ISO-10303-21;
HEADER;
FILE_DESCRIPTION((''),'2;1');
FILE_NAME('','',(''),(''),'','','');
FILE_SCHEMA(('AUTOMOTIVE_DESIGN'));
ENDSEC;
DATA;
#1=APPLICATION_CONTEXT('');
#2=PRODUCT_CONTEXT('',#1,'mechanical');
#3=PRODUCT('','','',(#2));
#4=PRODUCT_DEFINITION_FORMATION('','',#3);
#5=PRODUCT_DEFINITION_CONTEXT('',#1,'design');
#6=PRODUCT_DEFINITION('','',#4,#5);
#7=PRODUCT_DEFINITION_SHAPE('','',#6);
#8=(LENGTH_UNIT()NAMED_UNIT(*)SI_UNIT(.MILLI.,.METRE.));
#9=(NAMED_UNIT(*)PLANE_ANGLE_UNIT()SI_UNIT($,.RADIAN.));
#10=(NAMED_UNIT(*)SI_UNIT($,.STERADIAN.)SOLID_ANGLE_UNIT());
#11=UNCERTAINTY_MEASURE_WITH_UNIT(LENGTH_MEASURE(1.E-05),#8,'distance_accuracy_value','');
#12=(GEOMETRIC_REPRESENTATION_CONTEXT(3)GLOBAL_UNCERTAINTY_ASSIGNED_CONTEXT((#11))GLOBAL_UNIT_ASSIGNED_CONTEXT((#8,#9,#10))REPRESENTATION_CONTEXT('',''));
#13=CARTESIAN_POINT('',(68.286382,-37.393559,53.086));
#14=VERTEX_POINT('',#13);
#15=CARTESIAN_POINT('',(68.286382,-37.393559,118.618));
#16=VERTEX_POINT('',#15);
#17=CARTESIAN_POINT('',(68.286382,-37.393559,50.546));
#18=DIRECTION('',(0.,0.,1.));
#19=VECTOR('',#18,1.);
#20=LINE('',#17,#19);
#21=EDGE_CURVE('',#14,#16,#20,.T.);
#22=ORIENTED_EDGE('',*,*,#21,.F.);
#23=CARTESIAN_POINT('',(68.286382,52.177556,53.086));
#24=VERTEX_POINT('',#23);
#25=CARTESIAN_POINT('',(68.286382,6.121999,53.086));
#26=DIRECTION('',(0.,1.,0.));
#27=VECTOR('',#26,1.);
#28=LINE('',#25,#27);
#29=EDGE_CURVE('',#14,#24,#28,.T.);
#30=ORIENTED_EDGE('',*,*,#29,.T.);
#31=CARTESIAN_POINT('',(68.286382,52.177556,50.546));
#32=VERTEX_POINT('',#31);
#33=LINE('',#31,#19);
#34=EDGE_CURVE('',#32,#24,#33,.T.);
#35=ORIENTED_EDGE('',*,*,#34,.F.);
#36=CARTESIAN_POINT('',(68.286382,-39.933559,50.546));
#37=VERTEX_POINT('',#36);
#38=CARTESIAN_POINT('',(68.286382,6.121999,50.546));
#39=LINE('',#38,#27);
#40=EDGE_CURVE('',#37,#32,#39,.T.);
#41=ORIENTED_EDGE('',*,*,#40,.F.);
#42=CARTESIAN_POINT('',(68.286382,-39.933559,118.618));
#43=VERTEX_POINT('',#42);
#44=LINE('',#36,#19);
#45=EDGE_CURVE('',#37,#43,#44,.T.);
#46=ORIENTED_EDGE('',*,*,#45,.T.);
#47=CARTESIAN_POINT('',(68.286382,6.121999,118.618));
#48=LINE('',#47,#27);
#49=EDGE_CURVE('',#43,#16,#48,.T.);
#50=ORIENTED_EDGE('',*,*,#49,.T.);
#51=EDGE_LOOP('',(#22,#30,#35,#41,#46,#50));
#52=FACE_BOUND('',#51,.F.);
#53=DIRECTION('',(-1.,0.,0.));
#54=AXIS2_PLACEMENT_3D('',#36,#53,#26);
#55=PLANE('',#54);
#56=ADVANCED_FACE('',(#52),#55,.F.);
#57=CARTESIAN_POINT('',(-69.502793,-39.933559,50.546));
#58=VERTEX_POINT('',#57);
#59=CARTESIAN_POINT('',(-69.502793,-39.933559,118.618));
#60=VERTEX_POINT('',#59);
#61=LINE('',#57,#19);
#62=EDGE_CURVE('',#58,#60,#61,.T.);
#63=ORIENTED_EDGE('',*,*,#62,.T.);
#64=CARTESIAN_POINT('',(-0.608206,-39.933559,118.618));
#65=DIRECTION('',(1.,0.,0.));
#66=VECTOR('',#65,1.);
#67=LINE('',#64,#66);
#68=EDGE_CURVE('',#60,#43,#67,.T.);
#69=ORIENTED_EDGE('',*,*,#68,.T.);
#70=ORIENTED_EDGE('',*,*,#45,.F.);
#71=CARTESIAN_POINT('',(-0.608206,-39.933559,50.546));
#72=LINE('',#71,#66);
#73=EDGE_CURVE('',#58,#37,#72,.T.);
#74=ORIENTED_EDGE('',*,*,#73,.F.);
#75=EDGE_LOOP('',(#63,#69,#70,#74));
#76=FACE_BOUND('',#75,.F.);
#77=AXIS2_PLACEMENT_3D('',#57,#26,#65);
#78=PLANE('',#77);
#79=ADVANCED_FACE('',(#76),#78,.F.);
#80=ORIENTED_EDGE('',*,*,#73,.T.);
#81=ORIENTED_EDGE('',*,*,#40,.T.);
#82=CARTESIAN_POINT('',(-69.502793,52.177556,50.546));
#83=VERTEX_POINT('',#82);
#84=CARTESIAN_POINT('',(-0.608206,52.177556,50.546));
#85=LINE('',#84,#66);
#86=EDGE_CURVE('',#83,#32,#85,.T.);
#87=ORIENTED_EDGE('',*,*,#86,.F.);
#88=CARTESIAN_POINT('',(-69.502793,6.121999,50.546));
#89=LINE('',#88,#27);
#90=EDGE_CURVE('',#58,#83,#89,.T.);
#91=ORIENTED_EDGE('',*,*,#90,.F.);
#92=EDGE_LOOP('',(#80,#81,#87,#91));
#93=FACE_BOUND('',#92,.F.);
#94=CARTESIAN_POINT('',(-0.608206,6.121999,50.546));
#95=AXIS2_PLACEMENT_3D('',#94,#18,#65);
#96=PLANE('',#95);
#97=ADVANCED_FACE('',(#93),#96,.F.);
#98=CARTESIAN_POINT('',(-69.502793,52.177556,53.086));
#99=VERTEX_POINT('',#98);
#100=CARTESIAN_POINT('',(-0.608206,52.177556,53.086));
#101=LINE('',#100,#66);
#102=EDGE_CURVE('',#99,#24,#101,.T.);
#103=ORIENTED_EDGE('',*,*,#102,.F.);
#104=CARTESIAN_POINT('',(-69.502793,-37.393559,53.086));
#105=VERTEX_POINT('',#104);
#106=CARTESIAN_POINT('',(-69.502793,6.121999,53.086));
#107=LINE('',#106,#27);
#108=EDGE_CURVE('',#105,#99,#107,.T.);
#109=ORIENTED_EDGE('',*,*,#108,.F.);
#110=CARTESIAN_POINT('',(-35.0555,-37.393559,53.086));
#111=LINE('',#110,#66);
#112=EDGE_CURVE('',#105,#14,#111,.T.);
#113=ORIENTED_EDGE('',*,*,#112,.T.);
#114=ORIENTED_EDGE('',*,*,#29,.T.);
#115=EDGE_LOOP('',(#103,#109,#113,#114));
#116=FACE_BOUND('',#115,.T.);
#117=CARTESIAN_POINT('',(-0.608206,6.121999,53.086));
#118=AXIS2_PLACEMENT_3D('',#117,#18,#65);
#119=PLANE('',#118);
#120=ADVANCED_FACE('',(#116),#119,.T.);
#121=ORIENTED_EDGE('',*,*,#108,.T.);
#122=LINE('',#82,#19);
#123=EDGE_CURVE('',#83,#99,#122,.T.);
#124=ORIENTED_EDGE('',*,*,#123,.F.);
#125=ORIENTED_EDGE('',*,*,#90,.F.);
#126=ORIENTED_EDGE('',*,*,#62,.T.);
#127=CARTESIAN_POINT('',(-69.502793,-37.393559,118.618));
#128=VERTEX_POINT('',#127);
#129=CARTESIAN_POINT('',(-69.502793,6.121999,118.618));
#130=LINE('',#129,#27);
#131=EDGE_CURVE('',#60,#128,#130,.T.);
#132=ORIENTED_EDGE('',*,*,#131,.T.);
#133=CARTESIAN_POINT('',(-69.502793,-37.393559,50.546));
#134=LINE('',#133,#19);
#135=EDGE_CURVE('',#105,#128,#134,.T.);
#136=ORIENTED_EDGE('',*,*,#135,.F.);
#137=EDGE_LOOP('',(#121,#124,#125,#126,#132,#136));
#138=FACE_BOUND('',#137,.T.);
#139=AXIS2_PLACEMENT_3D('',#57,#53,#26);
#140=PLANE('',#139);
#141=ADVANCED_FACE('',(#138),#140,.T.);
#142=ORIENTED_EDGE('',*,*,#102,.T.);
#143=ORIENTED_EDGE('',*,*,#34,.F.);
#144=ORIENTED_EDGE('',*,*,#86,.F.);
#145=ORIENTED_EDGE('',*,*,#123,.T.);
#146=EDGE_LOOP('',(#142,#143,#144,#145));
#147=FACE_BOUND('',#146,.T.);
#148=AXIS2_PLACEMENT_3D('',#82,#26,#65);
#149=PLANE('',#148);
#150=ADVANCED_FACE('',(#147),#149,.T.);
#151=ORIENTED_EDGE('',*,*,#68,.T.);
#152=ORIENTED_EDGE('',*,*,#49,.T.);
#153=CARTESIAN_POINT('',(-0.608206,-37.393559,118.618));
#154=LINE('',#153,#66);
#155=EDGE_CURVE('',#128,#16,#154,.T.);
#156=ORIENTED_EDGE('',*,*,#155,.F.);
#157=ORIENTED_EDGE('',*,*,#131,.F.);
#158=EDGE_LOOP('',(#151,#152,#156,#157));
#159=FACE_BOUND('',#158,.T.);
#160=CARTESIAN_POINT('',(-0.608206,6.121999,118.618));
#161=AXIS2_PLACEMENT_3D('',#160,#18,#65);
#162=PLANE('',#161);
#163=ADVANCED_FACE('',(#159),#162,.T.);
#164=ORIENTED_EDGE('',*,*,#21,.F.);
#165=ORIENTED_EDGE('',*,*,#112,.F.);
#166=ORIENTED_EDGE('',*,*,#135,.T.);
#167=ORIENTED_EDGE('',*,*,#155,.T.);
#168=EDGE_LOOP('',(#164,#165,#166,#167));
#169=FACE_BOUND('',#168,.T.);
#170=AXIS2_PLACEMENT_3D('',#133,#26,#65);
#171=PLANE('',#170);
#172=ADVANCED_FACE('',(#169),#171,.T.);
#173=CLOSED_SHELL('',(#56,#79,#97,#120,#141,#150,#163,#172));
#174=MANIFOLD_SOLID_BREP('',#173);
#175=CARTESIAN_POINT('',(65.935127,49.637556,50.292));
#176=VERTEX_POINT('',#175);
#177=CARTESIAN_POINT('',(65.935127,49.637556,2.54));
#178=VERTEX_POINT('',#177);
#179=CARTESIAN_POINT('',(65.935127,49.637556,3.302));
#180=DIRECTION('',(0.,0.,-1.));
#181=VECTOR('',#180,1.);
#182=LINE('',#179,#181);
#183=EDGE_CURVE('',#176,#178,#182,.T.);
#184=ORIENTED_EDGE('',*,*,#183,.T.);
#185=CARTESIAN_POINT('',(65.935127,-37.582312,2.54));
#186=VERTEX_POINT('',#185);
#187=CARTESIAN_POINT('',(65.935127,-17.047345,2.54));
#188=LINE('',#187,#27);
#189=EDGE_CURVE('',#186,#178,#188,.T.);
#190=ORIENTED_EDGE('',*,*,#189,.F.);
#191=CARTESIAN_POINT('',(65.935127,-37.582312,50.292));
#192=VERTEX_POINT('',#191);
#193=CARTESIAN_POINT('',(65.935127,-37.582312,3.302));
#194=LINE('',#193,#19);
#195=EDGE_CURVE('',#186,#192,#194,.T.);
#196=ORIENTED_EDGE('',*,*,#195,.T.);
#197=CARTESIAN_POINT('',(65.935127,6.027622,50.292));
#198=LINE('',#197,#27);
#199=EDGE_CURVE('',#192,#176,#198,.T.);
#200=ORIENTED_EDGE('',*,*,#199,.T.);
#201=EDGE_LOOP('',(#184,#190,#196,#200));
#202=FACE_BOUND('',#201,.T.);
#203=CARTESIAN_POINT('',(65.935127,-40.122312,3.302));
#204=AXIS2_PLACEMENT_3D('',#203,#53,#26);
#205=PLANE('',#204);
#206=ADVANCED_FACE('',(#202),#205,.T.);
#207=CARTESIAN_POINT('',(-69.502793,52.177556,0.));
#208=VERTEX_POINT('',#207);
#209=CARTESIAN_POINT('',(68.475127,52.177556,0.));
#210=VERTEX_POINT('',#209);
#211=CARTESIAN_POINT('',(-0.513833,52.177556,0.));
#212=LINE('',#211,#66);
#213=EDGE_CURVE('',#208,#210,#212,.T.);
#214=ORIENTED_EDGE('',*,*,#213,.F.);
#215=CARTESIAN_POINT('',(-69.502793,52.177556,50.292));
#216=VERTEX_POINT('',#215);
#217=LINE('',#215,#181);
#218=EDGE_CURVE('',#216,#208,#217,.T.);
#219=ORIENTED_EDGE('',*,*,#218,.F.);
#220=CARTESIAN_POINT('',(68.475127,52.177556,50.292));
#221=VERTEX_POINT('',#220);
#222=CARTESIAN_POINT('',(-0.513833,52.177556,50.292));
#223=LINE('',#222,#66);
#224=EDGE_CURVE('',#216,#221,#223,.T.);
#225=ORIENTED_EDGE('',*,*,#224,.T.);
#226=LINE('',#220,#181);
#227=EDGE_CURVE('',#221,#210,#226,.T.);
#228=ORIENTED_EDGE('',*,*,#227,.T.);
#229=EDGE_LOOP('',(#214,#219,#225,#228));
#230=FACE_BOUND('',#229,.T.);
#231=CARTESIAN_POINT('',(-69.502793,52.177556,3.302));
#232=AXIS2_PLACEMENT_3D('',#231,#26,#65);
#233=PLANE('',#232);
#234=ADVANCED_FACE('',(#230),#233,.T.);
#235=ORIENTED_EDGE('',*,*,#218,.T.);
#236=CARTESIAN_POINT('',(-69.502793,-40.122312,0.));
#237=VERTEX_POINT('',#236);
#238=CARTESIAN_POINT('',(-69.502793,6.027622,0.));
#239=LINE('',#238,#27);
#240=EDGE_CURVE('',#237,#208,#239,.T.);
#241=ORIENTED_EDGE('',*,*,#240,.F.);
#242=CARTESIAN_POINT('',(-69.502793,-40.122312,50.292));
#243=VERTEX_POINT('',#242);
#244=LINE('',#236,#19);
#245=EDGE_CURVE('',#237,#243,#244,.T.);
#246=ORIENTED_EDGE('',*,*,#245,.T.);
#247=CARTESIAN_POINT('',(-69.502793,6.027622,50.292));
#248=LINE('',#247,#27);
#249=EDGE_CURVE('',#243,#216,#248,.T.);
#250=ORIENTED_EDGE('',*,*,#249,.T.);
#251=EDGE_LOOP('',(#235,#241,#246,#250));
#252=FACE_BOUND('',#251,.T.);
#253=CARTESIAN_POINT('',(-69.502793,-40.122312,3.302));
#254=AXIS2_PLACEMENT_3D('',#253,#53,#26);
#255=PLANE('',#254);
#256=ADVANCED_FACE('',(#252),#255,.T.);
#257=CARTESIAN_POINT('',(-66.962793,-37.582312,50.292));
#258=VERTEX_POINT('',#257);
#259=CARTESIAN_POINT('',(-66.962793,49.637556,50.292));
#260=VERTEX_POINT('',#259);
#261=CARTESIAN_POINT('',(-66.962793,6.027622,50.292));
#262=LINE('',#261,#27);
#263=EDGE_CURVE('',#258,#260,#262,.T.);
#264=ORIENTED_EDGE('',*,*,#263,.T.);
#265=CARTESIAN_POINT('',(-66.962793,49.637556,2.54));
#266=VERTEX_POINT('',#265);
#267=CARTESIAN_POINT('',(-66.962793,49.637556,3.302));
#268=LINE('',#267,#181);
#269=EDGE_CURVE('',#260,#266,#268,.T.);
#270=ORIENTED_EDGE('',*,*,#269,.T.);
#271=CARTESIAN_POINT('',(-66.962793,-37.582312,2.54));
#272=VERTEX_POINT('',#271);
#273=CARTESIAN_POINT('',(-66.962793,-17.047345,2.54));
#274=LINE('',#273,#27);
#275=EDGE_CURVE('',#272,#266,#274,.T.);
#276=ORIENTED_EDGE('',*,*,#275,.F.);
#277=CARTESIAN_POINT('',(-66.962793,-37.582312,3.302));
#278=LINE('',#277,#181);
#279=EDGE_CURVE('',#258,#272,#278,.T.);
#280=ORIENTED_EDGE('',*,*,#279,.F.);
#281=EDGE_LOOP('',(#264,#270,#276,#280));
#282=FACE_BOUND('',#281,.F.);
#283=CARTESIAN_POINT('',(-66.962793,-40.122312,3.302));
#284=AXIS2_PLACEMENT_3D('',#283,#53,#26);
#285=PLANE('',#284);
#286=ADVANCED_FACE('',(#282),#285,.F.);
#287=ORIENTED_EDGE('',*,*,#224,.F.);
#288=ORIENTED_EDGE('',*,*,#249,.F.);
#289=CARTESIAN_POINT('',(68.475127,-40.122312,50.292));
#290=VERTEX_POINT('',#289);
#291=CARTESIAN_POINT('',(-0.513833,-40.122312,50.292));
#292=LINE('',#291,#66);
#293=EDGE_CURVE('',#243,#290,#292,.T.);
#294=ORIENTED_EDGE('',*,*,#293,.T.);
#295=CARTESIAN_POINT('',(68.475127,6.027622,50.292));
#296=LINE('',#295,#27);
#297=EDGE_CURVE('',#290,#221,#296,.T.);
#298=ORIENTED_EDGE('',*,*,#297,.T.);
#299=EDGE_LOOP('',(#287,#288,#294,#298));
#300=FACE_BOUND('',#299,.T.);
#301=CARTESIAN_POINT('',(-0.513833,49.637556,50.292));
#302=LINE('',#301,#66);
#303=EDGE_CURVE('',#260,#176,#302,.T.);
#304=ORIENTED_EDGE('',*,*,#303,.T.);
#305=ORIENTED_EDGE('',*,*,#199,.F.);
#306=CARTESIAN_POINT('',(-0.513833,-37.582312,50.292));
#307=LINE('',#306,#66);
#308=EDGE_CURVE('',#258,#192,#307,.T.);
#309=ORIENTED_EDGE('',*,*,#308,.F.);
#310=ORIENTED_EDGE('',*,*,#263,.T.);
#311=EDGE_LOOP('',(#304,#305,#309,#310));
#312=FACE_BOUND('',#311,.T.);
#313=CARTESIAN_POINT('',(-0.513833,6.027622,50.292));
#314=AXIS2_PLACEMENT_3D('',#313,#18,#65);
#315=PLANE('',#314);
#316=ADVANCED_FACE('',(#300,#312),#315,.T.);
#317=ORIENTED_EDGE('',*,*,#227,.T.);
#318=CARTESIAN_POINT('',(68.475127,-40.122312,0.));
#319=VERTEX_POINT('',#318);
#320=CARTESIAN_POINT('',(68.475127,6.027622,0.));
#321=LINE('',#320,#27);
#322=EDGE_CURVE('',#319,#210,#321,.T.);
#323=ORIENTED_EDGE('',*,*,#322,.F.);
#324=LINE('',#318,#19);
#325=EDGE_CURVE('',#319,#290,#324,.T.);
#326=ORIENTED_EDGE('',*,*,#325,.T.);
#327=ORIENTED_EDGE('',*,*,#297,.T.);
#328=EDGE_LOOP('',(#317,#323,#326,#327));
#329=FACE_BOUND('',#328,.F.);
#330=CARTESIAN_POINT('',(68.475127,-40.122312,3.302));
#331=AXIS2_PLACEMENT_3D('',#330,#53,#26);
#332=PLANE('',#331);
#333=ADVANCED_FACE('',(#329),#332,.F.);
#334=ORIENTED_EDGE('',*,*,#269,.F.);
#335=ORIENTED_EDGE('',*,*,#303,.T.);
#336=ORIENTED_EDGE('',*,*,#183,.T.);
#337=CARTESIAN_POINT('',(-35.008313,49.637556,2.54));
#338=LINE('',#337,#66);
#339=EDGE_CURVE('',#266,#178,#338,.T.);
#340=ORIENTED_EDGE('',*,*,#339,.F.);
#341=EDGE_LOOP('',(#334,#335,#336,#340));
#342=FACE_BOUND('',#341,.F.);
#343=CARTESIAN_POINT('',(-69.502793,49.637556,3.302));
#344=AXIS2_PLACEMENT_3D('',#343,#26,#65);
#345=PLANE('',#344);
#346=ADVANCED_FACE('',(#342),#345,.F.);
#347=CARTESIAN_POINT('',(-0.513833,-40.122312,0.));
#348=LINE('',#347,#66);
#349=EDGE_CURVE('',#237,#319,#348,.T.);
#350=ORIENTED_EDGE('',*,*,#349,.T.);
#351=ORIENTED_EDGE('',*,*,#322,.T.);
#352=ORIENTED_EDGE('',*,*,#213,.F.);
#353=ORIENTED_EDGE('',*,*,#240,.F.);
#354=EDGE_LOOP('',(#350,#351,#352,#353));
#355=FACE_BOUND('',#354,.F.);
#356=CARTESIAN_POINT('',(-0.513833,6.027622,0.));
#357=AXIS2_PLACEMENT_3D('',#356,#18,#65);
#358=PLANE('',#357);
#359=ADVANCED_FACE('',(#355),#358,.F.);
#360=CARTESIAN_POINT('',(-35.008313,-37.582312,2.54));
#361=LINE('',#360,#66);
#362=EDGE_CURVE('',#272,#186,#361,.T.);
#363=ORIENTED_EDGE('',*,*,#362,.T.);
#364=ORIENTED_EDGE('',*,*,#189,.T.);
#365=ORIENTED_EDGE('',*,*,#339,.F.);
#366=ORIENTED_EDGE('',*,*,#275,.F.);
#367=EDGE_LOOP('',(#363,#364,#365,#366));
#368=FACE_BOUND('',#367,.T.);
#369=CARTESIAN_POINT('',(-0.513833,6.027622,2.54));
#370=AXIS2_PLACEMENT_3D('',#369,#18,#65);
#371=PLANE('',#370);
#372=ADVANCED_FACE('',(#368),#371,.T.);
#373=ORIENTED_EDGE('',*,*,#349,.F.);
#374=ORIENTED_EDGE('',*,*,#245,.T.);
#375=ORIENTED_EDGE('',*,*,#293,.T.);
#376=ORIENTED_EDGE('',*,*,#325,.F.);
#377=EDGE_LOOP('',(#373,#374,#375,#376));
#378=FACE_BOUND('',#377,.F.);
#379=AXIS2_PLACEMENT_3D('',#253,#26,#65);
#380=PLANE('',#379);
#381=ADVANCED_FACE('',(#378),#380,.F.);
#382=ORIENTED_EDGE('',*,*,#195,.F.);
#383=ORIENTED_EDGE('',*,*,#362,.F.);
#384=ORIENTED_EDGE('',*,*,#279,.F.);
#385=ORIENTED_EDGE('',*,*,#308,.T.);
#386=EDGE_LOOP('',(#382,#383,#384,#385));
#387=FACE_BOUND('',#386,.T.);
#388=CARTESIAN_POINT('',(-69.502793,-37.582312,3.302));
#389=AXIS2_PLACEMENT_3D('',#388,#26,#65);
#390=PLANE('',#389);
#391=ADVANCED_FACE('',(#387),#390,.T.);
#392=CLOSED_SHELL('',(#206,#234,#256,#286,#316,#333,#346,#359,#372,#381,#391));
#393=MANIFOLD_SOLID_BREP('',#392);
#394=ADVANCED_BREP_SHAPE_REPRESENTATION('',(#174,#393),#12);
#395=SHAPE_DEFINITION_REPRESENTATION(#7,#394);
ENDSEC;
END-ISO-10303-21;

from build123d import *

# Parameters (mm, degrees)
F0_W     = 137.9779204726
F0_H     = 92.2998674214
F1_DEPTH = 3.302
F2_DEPTH = 46.99
F3_T     = -2.54
F5_W     = 137.7891749144
F5_H     = 92.1111144125
F6_DEPTH = 68.072
F7_T     = -2.54


with BuildPart() as f1:
    # F0 (on Top) → F1 (new body)
    with BuildSketch(Plane.XY):
        with Locations((-0.5138330162, 6.0276221484)):
            Rectangle(F0_W, F0_H)
    extrude(amount=F1_DEPTH)

    # F2 (add): a face of the model
    f2_faces = [f1.faces().sort_by_distance(p)[0] for p in [
        (-0.5138330162, 6.0276221484, 3.302),
    ]]
    extrude(f2_faces, amount=F2_DEPTH)

    # F3
    f3_openings = [f1.faces().sort_by_distance(p)[0] for p in [
        (-0.513833, 6.027622, 50.292),
    ]]
    offset(amount=F3_T, openings=f3_openings)


with BuildPart() as f6:
    # F5 (on offset) → F6 (new body)
    with BuildSketch(Plane.XY.offset(50.546)):
        with Locations((-0.6082057953, 6.1219986528)):
            Rectangle(F5_W, F5_H)
    extrude(amount=F6_DEPTH)

    # F7
    f7_openings = [f6.faces().sort_by_distance(p)[0] for p in [
        (-69.502793, 6.121999, 84.582),
        (-0.608206, 6.121999, 118.618),
        (68.286382, 6.121999, 84.582),
        (-0.608206, 52.177556, 84.582),
    ]]
    offset(amount=F7_T, openings=f7_openings)


solid = Compound([f1.part, f6.part])
